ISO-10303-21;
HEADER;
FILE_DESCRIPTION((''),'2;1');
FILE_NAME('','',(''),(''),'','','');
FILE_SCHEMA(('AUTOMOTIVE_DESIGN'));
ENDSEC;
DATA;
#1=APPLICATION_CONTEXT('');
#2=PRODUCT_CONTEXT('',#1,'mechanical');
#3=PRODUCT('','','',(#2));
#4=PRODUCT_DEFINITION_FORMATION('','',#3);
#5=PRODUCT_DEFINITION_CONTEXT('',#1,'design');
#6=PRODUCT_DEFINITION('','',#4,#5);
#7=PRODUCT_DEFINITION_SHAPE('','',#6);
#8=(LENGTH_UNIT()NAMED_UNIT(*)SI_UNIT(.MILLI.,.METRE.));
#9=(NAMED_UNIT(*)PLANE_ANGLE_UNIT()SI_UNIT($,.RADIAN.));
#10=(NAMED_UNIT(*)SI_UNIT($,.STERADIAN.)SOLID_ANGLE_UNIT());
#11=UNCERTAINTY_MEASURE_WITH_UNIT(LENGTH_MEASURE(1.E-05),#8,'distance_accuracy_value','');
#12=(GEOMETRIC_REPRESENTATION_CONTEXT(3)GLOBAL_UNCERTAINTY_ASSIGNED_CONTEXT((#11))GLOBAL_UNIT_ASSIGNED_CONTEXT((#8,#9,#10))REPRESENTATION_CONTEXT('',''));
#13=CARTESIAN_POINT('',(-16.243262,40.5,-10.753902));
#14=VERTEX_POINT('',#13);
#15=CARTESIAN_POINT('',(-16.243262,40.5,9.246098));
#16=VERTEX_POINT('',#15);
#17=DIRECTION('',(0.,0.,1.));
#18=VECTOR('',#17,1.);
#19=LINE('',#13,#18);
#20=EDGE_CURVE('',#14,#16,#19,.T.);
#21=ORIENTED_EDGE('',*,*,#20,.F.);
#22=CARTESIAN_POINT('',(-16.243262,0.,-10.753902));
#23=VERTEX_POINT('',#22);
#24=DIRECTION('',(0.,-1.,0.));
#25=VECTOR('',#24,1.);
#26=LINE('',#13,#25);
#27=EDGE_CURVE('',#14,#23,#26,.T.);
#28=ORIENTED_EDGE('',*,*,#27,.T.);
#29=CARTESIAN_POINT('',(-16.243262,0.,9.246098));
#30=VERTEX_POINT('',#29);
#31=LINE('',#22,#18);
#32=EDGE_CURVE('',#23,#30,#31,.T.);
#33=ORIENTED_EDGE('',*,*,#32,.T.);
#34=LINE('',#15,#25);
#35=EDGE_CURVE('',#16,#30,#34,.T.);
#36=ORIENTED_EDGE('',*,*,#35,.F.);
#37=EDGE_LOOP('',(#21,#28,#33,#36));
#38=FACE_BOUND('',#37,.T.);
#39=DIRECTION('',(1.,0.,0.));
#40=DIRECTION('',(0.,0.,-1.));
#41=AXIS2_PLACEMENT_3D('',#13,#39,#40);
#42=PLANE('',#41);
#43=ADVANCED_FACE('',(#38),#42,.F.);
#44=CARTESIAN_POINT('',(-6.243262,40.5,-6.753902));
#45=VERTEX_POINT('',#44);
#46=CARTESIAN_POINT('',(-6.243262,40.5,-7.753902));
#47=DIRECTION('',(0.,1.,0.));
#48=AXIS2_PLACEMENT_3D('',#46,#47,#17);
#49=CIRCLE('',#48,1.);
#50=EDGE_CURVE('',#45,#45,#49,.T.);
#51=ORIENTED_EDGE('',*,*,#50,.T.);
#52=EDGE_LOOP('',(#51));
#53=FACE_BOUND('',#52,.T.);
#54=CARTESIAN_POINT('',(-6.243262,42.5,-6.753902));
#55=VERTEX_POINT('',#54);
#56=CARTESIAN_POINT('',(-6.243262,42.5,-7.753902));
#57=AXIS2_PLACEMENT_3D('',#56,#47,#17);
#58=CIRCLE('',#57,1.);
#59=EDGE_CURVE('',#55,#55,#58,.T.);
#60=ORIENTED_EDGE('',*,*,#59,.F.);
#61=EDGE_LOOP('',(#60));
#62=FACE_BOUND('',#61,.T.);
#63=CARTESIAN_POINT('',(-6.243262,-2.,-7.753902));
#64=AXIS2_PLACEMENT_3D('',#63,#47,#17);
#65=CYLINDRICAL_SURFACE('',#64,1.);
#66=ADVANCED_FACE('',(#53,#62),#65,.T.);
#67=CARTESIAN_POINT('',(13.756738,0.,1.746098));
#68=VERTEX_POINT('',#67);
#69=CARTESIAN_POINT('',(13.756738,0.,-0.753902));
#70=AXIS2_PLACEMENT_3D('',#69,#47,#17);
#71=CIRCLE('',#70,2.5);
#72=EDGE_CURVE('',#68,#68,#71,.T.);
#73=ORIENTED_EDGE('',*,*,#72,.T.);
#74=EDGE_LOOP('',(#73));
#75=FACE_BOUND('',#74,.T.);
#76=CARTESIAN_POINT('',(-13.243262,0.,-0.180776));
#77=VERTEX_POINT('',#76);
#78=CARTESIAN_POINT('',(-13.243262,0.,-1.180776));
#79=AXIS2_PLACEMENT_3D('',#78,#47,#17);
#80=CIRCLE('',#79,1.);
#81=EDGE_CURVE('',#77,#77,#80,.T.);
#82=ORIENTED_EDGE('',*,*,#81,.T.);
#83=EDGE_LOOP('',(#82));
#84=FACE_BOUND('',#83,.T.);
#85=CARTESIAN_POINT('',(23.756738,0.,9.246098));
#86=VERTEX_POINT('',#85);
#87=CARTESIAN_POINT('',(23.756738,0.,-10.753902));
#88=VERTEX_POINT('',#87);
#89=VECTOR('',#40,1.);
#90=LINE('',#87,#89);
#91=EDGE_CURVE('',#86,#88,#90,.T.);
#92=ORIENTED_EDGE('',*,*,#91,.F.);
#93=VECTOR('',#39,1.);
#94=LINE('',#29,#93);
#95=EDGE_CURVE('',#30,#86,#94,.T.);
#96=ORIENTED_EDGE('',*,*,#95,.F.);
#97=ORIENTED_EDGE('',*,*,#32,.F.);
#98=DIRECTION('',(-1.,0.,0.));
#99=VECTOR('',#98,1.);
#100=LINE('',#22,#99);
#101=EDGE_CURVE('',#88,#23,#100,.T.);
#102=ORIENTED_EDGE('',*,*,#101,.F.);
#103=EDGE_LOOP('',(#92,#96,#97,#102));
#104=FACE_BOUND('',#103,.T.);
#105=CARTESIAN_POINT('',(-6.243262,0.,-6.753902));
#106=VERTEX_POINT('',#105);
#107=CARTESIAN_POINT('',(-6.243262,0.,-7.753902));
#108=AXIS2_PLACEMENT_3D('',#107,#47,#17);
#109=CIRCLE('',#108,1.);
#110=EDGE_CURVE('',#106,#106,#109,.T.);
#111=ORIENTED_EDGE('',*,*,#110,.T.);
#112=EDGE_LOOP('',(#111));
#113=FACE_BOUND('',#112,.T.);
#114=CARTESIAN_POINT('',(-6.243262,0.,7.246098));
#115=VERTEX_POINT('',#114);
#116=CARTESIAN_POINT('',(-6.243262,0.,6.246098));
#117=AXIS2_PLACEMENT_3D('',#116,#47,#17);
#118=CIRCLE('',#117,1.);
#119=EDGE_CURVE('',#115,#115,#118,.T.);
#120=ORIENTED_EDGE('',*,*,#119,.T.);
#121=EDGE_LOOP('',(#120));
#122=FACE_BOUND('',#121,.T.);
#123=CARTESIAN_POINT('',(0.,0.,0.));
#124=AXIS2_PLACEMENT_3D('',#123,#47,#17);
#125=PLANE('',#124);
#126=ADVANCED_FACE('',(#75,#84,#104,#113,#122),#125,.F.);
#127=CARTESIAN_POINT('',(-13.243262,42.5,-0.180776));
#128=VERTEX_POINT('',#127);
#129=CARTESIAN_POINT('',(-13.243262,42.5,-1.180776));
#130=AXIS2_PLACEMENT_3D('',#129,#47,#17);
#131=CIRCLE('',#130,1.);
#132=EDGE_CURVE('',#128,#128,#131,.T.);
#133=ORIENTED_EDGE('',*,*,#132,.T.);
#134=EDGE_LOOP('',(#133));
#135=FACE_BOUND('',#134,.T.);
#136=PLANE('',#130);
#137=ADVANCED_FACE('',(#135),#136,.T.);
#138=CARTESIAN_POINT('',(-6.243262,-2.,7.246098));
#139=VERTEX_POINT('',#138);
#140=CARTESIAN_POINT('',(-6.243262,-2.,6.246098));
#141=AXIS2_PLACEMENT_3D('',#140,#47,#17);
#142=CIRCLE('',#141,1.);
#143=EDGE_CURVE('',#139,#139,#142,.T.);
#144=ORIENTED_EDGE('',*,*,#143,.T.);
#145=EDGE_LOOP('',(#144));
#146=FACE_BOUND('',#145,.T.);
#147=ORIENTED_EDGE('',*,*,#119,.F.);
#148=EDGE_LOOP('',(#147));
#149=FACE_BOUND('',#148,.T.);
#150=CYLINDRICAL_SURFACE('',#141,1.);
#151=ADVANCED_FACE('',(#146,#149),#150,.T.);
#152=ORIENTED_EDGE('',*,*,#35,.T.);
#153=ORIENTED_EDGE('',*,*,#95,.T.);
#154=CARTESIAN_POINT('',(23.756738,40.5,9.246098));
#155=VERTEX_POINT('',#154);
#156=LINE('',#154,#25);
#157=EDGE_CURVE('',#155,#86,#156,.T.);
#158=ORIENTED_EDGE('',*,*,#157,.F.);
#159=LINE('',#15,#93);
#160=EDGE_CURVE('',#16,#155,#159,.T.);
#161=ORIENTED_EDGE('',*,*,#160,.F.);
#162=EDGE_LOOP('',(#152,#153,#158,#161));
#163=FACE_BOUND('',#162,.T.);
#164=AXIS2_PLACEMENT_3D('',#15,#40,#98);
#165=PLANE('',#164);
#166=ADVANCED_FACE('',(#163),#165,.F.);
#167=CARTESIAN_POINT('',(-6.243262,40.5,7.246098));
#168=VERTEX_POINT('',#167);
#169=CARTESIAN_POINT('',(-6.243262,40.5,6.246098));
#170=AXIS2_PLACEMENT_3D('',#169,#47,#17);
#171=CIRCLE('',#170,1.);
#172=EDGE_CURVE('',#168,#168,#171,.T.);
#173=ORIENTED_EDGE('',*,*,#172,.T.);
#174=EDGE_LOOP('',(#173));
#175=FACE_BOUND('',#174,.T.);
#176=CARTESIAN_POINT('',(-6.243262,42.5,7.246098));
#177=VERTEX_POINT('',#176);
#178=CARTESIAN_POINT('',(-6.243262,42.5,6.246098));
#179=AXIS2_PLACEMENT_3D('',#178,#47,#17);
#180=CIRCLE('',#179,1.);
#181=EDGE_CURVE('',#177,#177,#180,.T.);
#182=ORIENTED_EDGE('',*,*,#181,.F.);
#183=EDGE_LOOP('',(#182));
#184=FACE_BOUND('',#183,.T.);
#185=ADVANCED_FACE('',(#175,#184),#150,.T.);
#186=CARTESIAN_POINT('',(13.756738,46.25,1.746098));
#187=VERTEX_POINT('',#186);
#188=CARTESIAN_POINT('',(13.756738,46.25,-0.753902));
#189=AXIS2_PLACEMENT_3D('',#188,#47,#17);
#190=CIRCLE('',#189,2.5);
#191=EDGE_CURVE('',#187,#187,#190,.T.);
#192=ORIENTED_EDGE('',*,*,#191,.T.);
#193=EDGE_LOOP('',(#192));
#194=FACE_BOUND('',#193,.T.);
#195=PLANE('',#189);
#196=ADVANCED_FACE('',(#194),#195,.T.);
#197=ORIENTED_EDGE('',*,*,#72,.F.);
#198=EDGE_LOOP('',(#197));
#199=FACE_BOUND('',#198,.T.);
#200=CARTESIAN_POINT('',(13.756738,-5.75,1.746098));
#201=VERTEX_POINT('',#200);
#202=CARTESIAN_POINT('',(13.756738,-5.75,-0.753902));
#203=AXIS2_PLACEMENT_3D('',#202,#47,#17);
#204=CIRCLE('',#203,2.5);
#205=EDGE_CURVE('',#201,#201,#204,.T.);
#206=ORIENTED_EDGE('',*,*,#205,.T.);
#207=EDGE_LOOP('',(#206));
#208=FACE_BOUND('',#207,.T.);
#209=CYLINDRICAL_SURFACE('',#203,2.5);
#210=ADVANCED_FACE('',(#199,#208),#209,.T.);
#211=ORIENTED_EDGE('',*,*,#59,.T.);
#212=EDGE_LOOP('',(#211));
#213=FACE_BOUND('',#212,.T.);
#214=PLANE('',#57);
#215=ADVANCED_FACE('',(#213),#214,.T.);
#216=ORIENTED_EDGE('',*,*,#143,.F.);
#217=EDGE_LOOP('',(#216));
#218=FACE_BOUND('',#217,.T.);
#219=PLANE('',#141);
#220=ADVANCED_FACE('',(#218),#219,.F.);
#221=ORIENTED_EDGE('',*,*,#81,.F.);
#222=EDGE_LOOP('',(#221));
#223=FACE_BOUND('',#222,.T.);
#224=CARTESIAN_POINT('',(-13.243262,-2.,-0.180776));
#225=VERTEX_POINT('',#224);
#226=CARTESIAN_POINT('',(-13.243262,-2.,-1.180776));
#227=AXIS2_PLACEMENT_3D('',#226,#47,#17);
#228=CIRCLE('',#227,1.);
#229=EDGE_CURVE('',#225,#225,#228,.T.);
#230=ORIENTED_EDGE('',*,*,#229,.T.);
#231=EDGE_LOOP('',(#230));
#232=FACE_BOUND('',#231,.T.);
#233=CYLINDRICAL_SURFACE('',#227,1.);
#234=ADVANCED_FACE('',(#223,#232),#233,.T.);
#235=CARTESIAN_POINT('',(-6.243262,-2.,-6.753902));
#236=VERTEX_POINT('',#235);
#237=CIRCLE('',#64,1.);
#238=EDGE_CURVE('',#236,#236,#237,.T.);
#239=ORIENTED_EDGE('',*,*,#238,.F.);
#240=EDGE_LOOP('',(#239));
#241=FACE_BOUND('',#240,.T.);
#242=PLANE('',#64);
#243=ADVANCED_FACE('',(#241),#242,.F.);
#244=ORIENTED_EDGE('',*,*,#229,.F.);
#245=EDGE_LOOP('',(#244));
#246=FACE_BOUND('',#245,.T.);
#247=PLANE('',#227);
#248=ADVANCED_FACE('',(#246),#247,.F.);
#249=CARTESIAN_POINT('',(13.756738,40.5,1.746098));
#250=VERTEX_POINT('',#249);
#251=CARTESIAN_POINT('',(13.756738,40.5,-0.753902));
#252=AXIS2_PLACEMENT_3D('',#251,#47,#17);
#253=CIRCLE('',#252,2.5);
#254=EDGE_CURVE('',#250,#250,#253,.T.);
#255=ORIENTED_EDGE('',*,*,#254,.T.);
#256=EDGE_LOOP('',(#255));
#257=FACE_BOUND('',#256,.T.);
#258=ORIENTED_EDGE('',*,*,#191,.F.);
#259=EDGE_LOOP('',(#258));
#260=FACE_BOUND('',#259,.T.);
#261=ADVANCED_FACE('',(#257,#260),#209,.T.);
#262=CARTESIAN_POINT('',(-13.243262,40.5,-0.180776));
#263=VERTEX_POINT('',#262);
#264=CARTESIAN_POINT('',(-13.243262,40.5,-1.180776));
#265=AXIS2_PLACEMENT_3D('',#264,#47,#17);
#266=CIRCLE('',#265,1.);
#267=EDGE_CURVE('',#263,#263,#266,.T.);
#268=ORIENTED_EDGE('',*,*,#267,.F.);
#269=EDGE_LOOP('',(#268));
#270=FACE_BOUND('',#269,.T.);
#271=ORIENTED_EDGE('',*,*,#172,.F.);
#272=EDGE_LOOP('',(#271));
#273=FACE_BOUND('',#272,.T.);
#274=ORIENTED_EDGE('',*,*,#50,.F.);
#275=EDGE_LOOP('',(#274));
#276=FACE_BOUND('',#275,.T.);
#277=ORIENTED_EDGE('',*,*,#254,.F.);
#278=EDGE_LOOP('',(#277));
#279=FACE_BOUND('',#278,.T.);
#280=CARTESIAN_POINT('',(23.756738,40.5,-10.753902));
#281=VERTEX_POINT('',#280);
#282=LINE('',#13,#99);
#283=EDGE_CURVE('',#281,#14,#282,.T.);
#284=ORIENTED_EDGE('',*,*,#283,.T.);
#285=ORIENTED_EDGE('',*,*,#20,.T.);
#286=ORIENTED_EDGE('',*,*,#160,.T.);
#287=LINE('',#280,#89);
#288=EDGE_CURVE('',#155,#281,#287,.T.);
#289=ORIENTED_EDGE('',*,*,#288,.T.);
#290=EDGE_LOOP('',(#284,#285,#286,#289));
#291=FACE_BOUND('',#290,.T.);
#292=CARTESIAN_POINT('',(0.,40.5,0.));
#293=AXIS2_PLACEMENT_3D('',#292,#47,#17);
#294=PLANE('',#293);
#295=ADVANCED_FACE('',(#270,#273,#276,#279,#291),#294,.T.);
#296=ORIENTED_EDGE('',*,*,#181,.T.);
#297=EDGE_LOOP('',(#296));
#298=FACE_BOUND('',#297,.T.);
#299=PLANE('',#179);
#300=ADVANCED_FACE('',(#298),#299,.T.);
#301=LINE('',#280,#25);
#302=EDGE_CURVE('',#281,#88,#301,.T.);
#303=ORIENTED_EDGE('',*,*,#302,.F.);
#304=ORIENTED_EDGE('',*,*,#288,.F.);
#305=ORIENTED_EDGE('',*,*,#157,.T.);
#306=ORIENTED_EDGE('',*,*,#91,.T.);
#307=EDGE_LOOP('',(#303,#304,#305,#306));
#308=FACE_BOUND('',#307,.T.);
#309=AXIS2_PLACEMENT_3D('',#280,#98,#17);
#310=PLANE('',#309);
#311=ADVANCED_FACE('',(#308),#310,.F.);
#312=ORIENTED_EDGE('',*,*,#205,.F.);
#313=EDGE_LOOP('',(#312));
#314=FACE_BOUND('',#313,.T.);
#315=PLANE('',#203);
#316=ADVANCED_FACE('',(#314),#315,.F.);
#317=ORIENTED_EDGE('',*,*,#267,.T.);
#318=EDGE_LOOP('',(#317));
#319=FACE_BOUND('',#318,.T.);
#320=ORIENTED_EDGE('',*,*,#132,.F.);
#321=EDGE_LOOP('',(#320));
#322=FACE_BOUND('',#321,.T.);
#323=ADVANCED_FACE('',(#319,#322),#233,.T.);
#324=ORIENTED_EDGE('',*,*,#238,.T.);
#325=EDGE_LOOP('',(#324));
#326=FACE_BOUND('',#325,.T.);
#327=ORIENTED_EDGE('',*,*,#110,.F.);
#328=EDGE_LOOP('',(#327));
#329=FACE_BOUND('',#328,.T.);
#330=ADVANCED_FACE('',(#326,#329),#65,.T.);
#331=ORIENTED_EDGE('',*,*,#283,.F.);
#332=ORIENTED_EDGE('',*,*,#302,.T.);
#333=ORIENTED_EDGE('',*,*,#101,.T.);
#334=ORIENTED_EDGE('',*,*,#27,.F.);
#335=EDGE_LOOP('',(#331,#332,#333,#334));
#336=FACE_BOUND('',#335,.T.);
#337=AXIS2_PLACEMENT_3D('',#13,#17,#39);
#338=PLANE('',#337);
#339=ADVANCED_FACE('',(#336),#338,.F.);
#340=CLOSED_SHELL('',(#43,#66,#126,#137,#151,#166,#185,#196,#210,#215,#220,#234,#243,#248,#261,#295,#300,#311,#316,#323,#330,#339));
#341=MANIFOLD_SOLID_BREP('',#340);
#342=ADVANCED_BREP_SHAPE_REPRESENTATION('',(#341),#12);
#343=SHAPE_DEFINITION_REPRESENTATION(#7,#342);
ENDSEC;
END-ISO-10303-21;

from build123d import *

# Parameters (mm, degrees)
SKETCH1_W                = 40
SKETCH1_H                = 20
BOSS_EXTRUDE1_DEPTH      = 40.5
BOSS_EXTRUDE2_DEPTH      = 5.75
BOSS_EXTRUDE2_DEPTH_BACK = 46.25
SKETCH2_R                = 2.5
BOSS_EXTRUDE3_DEPTH      = 2
BOSS_EXTRUDE3_DEPTH_BACK = 42.5
SKETCH3_R                = 1


with BuildPart() as part:
    # Sketch1 → Boss-Extrude1 (new body)
    with BuildSketch(Plane(origin=(0, 0, 0), x_dir=(1, 0, 0), z_dir=(0, 1, 0))):
        with Locations((3.756737992, 0.753901676)):
            Rectangle(SKETCH1_W, SKETCH1_H)
    extrude(amount=BOSS_EXTRUDE1_DEPTH)

    # Sketch2 → Boss-Extrude2 (add, two sides: drawn at the far end of the back side and taken through both)
    with BuildSketch(Plane(origin=(0, 40.5, 0), x_dir=(1, 0, 0), z_dir=(0, 1, 0)).offset(-BOSS_EXTRUDE2_DEPTH_BACK)):
        with Locations(Location((13.756737992, 0.753901676, 0), (0, 0, 270))):
            Circle(SKETCH2_R)
    extrude(amount=BOSS_EXTRUDE2_DEPTH + BOSS_EXTRUDE2_DEPTH_BACK)

    # Sketch3 → Boss-Extrude3 (add, two sides: drawn at the far end of the back side and taken through both)
    with BuildSketch(Plane(origin=(0, 40.5, 0), x_dir=(1, 0, 0), z_dir=(0, 1, 0)).offset(-BOSS_EXTRUDE3_DEPTH_BACK)):
        with Locations(Location((-13.243262008, 1.180776093, 0), (0, 0, 270))):
            Circle(SKETCH3_R)
        with Locations(Location((-6.243262008, 7.753901676, 0), (0, 0, 270))):
            Circle(SKETCH3_R)
        with Locations(Location((-6.243262008, -6.246098324, 0), (0, 0, 270))):
            Circle(SKETCH3_R)
    extrude(amount=BOSS_EXTRUDE3_DEPTH + BOSS_EXTRUDE3_DEPTH_BACK)


solid = part.part
